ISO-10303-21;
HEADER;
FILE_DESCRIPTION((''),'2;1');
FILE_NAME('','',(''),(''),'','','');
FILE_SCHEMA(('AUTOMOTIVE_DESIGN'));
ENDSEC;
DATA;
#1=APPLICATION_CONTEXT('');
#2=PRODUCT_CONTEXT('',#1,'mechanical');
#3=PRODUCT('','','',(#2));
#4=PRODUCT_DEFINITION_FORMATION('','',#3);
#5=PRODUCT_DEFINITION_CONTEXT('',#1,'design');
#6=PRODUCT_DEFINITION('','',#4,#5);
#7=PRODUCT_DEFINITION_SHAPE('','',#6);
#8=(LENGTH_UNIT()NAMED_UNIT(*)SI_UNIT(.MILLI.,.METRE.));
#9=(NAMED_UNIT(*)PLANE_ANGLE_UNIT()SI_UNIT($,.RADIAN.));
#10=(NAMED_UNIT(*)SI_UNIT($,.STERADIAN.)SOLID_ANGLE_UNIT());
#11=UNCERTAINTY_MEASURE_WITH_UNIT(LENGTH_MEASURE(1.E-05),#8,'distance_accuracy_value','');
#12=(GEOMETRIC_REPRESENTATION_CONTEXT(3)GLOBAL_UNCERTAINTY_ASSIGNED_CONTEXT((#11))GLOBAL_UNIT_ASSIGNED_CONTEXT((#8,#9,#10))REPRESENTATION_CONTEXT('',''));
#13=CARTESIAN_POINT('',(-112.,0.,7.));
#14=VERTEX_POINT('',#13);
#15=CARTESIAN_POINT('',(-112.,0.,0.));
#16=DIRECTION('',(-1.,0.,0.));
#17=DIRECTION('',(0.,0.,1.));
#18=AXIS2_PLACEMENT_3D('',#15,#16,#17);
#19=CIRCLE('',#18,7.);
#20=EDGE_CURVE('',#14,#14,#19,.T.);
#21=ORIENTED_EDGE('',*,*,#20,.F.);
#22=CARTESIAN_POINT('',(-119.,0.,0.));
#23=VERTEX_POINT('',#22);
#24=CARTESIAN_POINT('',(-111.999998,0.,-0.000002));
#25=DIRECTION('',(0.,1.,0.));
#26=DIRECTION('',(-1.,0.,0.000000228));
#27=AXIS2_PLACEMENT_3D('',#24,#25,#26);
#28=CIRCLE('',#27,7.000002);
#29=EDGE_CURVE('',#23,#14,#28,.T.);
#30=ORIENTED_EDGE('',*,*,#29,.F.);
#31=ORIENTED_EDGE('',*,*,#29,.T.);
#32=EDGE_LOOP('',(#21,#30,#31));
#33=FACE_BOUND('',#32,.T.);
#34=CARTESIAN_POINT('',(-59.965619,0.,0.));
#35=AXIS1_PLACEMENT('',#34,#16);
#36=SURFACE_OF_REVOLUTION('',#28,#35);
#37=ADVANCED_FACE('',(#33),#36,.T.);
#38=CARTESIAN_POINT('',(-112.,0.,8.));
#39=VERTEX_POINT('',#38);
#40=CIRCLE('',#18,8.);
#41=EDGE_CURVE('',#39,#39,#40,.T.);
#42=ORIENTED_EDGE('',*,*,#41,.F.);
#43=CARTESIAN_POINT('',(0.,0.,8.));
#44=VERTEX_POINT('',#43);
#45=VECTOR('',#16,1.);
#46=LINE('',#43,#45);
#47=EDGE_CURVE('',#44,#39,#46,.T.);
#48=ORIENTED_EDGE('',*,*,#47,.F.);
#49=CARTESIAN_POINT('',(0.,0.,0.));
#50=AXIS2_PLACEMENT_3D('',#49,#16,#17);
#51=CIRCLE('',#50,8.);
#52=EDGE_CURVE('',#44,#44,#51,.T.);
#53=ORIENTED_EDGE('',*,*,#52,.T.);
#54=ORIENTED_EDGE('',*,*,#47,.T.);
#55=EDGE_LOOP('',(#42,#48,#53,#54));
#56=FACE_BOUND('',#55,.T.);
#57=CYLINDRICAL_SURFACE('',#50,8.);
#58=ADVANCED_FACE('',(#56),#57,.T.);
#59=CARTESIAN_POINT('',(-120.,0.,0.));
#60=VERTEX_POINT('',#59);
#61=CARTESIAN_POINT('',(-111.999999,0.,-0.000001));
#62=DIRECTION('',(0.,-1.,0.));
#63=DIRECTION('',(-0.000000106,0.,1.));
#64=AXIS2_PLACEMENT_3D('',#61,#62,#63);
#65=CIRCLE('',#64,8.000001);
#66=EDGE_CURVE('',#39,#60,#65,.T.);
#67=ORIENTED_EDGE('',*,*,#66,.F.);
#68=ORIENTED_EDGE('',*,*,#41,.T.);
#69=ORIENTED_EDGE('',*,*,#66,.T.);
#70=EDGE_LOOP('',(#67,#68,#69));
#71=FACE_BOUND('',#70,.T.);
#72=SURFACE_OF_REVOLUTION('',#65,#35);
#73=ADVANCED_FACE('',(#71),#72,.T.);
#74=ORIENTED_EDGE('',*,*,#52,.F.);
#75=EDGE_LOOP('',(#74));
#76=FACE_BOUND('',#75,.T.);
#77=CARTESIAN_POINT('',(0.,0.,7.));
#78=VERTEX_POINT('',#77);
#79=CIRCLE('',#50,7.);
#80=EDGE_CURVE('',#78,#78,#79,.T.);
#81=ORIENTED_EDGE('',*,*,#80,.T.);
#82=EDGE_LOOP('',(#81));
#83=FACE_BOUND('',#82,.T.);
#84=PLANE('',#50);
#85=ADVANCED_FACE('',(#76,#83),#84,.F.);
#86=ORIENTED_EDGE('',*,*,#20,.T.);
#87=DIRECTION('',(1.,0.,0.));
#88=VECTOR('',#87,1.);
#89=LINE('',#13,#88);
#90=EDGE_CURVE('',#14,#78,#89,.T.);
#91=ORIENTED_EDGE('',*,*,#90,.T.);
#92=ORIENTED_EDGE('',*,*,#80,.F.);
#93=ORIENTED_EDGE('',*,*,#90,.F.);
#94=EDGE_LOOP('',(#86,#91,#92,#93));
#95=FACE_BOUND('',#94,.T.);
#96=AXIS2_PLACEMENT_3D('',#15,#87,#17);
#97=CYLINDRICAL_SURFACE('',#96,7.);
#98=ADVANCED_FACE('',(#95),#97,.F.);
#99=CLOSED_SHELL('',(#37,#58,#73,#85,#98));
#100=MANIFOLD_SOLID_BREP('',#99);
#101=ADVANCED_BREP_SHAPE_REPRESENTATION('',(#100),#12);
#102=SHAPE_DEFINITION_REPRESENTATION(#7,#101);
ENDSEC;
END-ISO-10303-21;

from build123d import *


with BuildPart() as f1:
    # F0 (on Front) → F1 (revolve)
    with BuildSketch(Plane.XZ):
        with BuildLine():
            Line((0, 8), (-112, 8))
            ThreePointArc((-112, 8), (-117.656854, 5.656854), (-120, 0))
            Line((-120, 0), (-119, 0))
            ThreePointArc((-119, 0), (-116.949747, 4.949747), (-112, 7))
            Line((-112, 7), (0, 7))
            Line((0, 7), (0, 8))
        make_face()
    revolve(axis=Axis((-59.965619, 0, 0), (-1, 0, 0)))


solid = f1.part
